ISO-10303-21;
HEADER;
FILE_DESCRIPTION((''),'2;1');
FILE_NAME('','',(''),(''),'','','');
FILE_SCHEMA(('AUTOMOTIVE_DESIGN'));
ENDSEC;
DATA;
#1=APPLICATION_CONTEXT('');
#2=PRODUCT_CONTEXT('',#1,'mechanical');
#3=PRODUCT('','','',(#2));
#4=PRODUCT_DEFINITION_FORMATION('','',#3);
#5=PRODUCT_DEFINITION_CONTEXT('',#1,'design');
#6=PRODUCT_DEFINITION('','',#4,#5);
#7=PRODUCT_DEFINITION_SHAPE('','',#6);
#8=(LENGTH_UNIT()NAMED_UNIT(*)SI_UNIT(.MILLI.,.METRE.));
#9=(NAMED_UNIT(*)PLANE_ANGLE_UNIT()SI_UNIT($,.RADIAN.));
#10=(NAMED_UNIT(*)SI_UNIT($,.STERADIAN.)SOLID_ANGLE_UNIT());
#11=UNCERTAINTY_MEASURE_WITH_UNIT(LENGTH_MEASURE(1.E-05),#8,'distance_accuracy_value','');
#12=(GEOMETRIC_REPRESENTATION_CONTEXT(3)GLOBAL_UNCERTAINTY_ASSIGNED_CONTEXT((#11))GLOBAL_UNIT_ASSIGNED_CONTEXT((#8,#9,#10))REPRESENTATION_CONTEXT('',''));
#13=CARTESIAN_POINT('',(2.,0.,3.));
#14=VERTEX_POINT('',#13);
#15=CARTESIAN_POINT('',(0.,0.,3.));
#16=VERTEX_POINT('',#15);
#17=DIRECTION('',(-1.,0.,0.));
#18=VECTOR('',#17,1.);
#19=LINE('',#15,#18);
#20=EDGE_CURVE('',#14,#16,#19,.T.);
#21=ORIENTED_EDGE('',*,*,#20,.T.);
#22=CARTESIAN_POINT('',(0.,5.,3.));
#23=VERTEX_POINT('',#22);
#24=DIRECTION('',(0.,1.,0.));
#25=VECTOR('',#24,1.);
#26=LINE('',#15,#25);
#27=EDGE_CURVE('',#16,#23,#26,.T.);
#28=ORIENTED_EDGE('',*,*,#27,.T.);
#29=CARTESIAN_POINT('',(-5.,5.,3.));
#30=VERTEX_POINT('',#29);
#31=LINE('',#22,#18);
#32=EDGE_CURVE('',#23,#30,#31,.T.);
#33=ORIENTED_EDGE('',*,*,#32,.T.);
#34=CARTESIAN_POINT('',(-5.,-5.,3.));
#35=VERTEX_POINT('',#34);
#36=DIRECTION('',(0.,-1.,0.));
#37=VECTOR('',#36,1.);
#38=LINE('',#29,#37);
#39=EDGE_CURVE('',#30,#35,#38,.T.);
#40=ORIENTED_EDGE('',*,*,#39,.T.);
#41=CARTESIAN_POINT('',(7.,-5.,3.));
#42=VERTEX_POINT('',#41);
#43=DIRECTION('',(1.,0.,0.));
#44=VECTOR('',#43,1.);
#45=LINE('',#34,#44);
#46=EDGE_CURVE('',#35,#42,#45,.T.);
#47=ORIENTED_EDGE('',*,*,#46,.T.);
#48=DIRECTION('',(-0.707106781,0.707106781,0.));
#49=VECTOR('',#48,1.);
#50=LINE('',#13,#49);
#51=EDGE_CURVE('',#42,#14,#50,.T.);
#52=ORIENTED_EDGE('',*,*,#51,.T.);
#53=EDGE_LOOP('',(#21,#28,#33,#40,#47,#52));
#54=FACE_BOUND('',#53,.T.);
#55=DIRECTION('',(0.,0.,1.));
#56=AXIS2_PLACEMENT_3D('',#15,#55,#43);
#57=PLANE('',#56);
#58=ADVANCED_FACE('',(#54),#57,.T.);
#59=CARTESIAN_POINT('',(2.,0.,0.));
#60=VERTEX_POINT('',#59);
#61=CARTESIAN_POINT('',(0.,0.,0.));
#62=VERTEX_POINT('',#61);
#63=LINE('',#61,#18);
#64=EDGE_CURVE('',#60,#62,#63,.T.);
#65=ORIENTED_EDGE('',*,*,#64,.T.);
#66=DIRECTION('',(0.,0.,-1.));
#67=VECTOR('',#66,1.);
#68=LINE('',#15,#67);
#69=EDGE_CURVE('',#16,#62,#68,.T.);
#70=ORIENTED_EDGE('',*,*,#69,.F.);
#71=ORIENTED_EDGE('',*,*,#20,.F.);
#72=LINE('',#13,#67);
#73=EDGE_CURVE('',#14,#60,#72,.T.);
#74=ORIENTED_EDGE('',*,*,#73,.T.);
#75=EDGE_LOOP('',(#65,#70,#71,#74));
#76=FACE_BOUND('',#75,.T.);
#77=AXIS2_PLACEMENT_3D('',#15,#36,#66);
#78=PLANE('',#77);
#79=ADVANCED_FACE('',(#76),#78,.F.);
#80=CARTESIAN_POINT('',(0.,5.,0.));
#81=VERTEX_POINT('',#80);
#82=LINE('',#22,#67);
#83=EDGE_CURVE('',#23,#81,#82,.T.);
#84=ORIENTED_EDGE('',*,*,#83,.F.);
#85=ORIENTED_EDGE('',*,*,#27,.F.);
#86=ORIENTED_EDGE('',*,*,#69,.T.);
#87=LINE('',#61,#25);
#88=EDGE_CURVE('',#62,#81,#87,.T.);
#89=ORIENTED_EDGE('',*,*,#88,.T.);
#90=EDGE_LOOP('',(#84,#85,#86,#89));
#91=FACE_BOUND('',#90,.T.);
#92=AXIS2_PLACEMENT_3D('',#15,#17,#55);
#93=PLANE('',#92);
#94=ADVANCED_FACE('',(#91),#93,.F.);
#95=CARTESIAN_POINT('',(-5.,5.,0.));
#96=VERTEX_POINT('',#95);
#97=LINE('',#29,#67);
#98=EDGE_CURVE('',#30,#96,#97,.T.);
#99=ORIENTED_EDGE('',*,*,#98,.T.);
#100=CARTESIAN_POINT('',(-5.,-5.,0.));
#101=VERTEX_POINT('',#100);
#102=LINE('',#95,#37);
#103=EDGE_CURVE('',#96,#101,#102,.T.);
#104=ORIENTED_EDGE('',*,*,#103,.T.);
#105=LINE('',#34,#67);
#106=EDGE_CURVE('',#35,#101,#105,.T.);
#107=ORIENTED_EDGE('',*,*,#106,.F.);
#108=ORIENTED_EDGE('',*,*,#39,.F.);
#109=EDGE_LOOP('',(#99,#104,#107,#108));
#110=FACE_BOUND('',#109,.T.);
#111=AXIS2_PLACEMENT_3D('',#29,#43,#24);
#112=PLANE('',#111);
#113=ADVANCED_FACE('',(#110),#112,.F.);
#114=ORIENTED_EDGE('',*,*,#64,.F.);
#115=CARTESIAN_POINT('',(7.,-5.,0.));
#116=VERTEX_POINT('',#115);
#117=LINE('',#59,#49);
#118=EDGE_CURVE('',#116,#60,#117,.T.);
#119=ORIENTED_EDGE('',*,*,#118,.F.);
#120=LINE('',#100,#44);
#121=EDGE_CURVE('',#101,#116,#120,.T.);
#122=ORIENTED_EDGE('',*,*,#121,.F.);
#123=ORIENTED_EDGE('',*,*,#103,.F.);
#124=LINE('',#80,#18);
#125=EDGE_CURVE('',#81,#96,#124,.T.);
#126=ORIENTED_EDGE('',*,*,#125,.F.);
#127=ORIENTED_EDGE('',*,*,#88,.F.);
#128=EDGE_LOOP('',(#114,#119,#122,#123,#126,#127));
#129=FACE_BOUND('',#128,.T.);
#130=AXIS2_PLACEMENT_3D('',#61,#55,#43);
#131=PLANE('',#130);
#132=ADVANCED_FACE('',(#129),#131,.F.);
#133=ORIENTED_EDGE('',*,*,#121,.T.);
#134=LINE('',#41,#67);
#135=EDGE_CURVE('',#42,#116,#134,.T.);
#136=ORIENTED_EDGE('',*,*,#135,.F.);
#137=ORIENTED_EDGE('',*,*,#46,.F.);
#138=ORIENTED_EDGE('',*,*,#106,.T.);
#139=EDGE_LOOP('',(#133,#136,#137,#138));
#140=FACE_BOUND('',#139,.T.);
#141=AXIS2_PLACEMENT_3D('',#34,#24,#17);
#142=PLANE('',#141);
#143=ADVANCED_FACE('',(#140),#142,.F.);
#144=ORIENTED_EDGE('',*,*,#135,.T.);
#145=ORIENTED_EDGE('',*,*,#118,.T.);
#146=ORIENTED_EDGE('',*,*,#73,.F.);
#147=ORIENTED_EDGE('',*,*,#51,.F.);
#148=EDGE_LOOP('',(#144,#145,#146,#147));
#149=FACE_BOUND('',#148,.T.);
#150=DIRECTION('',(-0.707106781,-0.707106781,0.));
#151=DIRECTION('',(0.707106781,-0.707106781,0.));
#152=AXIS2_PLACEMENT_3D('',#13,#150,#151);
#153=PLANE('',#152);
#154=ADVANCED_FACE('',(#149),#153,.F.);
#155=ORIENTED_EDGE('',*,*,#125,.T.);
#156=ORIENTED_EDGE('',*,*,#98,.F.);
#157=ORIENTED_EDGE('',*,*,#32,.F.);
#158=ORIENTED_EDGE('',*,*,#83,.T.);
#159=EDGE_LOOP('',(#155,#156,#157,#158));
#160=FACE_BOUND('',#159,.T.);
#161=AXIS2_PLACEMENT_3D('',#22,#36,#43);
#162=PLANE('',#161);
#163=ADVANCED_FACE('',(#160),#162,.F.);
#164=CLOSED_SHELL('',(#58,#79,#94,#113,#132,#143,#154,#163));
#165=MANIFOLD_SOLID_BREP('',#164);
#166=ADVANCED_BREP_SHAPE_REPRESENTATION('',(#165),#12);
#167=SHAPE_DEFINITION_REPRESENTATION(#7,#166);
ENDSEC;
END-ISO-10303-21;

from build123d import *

# Parameters (mm, degrees)
EXTRUDE_1_DEPTH = 3


with BuildPart() as part:
    # 草图1 → 凸台-拉伸1 (new body)
    with BuildSketch(Plane.XY):
        Polygon((0, 0), (2, 0), (7, -5), (-5, -5), (-5, 5), (0, 5), align=None)
    extrude(amount=EXTRUDE_1_DEPTH)


solid = part.part
